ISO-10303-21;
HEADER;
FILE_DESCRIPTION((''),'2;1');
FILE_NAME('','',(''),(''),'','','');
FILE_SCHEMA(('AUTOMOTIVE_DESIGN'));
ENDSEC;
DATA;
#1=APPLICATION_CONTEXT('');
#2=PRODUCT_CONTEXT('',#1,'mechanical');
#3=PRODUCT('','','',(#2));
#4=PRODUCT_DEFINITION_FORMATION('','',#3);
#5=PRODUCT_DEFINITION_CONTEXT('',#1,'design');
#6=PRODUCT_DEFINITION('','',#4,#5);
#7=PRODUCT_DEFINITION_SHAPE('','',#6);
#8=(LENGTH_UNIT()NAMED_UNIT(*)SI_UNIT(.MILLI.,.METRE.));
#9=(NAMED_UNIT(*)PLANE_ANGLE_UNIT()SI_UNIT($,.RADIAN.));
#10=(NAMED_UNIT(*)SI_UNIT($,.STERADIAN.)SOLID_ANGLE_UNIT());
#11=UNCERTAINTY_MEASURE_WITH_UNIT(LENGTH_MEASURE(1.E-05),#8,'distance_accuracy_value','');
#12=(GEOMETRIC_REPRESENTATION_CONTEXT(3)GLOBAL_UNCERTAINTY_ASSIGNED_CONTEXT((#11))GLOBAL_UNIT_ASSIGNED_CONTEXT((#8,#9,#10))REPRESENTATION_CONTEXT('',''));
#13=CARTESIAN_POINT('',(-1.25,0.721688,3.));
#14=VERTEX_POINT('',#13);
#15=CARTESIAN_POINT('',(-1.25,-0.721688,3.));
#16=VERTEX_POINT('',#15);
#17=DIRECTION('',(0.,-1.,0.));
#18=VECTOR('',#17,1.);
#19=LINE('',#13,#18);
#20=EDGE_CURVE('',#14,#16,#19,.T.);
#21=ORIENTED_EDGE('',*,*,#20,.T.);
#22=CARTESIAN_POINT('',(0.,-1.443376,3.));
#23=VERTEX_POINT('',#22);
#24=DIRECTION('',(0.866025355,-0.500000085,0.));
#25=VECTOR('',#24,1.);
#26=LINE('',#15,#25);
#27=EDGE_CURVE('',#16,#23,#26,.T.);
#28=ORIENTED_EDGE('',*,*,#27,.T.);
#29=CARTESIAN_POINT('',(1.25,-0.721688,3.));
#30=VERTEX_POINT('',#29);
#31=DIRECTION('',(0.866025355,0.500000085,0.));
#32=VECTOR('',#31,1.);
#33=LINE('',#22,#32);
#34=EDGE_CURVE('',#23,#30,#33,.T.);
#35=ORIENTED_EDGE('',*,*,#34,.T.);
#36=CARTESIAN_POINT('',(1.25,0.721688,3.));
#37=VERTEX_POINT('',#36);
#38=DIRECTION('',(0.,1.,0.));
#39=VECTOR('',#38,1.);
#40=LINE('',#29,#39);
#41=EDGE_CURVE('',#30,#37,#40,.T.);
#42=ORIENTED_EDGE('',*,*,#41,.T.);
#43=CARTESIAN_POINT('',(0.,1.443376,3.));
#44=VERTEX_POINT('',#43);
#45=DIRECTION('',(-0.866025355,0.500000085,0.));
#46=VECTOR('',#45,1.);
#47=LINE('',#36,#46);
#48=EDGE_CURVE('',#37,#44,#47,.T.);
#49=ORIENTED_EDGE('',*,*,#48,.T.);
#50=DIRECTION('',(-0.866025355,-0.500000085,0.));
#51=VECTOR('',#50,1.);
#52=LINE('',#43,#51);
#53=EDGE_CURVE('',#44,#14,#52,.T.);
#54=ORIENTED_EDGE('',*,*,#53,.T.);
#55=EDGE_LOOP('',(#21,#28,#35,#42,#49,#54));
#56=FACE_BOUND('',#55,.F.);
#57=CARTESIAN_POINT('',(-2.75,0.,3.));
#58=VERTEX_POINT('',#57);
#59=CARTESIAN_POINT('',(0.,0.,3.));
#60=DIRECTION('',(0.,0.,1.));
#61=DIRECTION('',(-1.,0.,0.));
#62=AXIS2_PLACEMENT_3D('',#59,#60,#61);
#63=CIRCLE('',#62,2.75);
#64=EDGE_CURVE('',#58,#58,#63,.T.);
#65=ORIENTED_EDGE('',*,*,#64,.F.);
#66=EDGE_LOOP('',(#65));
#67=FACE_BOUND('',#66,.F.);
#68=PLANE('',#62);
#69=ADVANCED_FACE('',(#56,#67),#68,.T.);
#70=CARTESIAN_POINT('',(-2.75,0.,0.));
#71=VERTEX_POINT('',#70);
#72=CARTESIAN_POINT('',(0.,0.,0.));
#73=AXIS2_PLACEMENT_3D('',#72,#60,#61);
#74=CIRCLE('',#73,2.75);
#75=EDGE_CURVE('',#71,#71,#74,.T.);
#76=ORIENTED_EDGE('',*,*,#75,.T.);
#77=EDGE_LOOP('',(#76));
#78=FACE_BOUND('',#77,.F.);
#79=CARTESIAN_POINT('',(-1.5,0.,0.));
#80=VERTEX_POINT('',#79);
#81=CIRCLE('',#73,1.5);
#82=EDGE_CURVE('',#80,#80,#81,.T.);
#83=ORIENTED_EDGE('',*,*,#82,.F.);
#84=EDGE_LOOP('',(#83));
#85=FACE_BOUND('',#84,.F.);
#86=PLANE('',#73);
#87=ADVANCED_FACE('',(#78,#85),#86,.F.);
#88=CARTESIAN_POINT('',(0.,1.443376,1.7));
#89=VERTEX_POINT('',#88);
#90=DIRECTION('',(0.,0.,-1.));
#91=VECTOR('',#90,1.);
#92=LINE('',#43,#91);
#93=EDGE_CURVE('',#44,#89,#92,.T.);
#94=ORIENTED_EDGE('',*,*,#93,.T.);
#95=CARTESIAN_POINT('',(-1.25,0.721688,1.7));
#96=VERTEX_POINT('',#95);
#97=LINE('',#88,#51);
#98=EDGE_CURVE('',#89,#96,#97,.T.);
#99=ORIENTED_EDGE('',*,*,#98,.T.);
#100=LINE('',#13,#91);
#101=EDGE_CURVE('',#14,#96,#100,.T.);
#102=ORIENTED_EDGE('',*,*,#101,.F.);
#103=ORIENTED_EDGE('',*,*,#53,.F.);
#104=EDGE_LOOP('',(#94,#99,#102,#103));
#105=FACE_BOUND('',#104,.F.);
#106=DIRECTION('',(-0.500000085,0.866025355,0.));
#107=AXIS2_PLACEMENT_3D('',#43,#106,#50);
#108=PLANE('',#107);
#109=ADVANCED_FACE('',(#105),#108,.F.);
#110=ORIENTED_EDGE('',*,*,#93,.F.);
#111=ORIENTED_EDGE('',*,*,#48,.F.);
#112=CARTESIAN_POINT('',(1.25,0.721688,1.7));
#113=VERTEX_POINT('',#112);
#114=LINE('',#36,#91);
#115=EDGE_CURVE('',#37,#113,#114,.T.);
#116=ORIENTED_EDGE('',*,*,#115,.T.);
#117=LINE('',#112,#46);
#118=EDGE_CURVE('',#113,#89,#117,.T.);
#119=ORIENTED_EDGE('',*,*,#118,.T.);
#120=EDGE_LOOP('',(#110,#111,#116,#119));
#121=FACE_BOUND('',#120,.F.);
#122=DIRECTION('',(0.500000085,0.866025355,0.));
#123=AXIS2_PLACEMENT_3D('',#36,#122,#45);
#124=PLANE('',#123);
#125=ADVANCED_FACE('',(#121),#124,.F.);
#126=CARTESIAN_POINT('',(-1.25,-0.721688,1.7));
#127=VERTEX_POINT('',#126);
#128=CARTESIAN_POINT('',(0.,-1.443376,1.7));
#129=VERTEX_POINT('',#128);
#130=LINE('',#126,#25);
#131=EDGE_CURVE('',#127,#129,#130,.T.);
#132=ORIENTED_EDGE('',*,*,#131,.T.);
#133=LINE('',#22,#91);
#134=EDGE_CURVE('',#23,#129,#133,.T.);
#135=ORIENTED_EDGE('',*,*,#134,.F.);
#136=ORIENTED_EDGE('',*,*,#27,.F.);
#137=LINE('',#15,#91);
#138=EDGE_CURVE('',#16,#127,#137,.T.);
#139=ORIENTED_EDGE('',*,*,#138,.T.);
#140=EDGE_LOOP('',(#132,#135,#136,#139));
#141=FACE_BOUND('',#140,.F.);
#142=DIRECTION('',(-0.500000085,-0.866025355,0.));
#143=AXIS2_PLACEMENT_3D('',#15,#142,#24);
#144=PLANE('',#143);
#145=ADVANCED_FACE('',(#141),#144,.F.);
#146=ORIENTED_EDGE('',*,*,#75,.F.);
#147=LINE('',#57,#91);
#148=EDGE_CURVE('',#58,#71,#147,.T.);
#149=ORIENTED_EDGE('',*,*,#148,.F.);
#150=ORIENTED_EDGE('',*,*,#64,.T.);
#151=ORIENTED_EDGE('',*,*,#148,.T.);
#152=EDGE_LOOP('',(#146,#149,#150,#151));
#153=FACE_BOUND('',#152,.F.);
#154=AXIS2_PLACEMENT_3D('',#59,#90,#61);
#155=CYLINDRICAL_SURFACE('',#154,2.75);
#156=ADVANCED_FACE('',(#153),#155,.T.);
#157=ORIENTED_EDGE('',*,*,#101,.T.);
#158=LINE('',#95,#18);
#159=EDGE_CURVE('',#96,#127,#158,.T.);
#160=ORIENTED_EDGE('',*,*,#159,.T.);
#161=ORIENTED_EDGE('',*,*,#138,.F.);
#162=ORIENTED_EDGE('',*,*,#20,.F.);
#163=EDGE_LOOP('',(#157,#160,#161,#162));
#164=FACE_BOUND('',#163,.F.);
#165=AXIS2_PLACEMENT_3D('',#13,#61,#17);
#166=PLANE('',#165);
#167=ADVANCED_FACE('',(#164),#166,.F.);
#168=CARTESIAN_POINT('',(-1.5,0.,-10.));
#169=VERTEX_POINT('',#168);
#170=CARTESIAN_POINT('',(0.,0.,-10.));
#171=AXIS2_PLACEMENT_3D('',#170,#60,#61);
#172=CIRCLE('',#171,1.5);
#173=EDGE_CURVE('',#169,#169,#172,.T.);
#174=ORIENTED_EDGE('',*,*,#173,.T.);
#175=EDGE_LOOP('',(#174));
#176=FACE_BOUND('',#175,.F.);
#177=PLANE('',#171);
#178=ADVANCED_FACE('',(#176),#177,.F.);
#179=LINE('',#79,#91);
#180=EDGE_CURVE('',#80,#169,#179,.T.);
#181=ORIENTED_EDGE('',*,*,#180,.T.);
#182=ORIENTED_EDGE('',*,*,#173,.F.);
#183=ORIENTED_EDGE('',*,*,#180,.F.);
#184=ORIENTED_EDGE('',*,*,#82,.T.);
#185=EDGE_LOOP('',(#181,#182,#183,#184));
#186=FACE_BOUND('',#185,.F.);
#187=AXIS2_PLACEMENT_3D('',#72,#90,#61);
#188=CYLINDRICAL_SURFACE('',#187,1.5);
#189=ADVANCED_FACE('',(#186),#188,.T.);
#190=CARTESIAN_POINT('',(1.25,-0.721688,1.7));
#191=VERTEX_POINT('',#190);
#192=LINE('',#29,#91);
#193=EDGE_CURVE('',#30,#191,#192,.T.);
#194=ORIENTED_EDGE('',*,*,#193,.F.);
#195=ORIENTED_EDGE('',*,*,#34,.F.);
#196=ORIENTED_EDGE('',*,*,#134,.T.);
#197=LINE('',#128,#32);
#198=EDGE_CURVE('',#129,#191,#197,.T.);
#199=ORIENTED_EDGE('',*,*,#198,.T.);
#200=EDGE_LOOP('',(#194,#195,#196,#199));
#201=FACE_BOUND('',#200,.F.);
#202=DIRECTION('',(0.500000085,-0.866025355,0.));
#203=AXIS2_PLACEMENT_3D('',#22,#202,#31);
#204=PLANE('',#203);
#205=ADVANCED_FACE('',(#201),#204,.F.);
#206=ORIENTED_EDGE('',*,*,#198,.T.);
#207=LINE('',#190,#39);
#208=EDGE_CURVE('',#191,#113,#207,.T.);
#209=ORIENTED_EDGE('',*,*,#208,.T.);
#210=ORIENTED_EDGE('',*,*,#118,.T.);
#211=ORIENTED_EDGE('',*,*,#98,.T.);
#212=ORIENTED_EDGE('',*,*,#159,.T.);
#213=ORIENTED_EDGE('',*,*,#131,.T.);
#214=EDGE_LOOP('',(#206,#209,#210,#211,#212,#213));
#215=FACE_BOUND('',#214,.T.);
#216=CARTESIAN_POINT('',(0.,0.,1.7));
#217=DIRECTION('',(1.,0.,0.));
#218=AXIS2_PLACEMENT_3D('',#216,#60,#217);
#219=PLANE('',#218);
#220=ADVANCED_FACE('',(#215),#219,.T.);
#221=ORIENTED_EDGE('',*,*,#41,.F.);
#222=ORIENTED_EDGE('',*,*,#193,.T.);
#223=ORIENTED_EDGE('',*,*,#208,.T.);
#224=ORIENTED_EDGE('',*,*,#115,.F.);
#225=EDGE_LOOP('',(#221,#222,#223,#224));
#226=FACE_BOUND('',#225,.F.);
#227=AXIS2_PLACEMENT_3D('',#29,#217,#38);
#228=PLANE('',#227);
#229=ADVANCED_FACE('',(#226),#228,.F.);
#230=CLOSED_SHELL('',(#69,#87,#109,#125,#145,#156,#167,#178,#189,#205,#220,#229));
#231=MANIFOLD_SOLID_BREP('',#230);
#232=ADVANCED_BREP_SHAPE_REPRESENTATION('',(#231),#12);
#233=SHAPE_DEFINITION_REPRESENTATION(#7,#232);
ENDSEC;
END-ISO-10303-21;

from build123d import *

# Parameters (mm, degrees)
F3_DEPTH = 1.3


with BuildPart() as f1:
    # F0 (on Front) → F1 (revolve)
    with BuildSketch(Plane.XZ):
        Polygon((-2.75, 0), (-1.5, 0), (-1.5, -10), (0, -10), (0, 0), (0, 3), (-2.75, 3), align=None)
    revolve(axis=Axis((0, 0, -5), (0, 0, 1)))

    # F2 (on face) → F3 (cut)
    with BuildSketch(Plane.XY.offset(3)):
        Polygon((-1.25, 0.721688), (-1.25, -0.721688), (0, -1.443376), (1.25, -0.721688), (1.25, 0.721688), (0, 1.443376), align=None)
    extrude(amount=-F3_DEPTH, mode=Mode.SUBTRACT)


solid = f1.part
